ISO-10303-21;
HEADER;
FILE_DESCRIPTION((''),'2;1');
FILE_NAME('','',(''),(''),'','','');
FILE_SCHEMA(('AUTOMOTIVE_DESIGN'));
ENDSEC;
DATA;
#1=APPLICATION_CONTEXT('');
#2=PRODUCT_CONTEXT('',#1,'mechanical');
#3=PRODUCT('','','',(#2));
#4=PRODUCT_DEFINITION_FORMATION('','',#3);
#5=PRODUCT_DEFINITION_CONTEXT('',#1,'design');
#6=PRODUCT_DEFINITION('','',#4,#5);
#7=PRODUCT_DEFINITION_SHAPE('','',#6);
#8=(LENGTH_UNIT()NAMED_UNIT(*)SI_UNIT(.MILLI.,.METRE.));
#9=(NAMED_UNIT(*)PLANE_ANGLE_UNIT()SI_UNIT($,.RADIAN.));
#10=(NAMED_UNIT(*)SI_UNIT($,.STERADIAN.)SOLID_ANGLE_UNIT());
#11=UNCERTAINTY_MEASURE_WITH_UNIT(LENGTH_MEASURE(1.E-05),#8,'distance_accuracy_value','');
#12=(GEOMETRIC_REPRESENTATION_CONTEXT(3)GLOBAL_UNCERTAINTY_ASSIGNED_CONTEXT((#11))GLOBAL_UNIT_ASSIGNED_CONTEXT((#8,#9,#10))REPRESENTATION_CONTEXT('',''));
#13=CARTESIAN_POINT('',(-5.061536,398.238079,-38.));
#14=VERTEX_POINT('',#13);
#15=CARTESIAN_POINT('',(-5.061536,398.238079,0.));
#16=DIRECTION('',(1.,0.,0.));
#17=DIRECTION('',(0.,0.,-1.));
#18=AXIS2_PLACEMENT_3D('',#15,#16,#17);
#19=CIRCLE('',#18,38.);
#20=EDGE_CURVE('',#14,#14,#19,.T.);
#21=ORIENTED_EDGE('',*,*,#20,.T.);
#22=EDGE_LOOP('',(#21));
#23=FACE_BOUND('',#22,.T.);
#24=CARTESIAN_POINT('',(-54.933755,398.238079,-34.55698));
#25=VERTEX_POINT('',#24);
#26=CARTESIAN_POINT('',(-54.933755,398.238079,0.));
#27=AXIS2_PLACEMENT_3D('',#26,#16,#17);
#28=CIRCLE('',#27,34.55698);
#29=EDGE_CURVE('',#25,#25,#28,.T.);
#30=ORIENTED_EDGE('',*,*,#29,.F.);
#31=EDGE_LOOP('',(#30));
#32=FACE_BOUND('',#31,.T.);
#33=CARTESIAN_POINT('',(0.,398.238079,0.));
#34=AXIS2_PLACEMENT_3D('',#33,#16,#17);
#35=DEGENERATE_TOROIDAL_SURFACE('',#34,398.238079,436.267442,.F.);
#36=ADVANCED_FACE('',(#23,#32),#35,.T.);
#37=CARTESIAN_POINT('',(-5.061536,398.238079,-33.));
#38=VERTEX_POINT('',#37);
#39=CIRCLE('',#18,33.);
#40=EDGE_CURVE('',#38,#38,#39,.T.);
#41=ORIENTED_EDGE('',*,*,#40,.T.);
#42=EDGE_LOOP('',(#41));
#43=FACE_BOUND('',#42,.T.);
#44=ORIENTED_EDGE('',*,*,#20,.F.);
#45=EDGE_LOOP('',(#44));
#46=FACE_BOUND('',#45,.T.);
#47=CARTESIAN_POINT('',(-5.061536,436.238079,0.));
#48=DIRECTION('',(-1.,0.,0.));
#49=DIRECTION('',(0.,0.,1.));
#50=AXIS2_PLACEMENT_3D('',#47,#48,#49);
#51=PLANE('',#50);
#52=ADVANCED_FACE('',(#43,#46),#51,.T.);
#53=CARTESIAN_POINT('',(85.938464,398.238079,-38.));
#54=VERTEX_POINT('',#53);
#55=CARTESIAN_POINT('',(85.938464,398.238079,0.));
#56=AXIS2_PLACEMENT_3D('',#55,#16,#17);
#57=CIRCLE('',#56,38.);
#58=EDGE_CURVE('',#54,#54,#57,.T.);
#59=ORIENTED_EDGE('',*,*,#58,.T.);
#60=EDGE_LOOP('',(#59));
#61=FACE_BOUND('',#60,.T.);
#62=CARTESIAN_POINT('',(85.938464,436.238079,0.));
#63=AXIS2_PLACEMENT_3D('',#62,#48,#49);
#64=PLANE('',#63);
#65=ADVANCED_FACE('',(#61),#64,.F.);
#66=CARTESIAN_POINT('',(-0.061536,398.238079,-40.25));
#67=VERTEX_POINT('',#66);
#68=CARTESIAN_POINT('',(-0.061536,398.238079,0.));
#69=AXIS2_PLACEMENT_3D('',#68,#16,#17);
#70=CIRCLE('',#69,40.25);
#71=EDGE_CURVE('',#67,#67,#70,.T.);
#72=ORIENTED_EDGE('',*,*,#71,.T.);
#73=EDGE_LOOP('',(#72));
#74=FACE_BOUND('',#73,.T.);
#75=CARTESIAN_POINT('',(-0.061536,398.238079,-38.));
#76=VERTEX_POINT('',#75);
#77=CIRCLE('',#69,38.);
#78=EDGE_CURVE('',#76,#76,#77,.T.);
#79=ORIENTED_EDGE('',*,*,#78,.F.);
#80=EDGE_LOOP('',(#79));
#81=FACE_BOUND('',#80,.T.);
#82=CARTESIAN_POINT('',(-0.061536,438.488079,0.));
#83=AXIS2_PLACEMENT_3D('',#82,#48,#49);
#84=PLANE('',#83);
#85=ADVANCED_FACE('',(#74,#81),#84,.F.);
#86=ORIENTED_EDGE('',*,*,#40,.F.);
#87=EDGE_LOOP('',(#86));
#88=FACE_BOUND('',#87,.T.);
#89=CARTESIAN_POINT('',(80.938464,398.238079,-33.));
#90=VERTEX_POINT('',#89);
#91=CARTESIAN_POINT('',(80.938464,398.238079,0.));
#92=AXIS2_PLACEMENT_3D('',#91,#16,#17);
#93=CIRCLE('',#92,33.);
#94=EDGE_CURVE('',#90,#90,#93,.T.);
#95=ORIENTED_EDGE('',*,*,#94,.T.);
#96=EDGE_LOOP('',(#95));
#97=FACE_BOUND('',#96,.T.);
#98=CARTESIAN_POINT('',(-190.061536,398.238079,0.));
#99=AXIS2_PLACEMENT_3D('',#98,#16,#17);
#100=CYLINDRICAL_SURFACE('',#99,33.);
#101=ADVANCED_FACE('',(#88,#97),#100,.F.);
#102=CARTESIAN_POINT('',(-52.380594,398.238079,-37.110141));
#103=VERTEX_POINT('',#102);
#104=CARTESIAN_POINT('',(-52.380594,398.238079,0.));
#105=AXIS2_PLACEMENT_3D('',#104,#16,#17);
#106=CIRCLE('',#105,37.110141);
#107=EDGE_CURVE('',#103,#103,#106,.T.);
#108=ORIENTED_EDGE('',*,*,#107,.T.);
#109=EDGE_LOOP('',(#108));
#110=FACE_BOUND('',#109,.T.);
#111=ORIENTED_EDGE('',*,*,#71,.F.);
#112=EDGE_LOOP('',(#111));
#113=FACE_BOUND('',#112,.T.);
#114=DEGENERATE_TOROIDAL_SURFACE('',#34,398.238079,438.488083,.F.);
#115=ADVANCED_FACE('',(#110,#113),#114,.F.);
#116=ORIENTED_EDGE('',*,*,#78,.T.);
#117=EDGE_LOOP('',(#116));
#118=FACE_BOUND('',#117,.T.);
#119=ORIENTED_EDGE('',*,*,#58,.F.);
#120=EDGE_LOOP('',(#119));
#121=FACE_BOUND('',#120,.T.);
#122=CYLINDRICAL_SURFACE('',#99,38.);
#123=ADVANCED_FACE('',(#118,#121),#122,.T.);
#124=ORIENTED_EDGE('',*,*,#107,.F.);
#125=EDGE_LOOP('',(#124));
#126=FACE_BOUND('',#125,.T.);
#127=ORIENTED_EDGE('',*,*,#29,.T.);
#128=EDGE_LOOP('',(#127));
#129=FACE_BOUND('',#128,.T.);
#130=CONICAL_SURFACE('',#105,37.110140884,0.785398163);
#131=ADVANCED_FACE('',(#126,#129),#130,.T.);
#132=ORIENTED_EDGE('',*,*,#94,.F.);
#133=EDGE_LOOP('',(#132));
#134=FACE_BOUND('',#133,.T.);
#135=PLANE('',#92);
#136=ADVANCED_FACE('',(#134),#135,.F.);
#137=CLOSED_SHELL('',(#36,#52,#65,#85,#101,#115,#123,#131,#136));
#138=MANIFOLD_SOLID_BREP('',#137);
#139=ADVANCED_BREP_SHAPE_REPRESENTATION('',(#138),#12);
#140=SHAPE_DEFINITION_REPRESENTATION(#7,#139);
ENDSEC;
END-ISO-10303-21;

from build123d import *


with BuildPart() as part:
    # Sketch2 → Revolve1 (revolve)
    with BuildSketch(Plane.XY, mode=Mode.PRIVATE) as revolve1_sk:
        with BuildLine():
            Line((-0.061536303, 438.488079124), (-0.061536303, 436.238079124))
            Line((-0.061536303, 436.238079124), (85.938463697, 436.238079124))
            Line((85.938463697, 436.238079124), (85.938463697, 398.238079124))
            Line((85.938463697, 398.238079124), (80.938463697, 398.238079124))
            Line((80.938463697, 398.238079124), (80.938463697, 431.238079124))
            Line((80.938463697, 431.238079124), (-5.061536303, 431.238079124))
            Line((-5.061536303, 431.238079124), (-5.061536303, 436.238079124))
            ThreePointArc((-5.061536303, 436.238079124), (-30.047002163, 435.231499881), (-54.933754935, 432.795059348))
            Line((-54.933754935, 432.795059348), (-52.380594275, 435.348220008))
            ThreePointArc((-52.380594275, 435.348220008), (-26.268021313, 437.700571598), (-0.061536303, 438.488079124))
        make_face()
    revolve(revolve1_sk.sketch.rotate(Axis((-190.061536303, 398.238079124, 0), (-1, 0, 0)), 90), axis=Axis((-190.061536303, 398.238079124, 0), (-1, 0, 0)))


solid = part.part
